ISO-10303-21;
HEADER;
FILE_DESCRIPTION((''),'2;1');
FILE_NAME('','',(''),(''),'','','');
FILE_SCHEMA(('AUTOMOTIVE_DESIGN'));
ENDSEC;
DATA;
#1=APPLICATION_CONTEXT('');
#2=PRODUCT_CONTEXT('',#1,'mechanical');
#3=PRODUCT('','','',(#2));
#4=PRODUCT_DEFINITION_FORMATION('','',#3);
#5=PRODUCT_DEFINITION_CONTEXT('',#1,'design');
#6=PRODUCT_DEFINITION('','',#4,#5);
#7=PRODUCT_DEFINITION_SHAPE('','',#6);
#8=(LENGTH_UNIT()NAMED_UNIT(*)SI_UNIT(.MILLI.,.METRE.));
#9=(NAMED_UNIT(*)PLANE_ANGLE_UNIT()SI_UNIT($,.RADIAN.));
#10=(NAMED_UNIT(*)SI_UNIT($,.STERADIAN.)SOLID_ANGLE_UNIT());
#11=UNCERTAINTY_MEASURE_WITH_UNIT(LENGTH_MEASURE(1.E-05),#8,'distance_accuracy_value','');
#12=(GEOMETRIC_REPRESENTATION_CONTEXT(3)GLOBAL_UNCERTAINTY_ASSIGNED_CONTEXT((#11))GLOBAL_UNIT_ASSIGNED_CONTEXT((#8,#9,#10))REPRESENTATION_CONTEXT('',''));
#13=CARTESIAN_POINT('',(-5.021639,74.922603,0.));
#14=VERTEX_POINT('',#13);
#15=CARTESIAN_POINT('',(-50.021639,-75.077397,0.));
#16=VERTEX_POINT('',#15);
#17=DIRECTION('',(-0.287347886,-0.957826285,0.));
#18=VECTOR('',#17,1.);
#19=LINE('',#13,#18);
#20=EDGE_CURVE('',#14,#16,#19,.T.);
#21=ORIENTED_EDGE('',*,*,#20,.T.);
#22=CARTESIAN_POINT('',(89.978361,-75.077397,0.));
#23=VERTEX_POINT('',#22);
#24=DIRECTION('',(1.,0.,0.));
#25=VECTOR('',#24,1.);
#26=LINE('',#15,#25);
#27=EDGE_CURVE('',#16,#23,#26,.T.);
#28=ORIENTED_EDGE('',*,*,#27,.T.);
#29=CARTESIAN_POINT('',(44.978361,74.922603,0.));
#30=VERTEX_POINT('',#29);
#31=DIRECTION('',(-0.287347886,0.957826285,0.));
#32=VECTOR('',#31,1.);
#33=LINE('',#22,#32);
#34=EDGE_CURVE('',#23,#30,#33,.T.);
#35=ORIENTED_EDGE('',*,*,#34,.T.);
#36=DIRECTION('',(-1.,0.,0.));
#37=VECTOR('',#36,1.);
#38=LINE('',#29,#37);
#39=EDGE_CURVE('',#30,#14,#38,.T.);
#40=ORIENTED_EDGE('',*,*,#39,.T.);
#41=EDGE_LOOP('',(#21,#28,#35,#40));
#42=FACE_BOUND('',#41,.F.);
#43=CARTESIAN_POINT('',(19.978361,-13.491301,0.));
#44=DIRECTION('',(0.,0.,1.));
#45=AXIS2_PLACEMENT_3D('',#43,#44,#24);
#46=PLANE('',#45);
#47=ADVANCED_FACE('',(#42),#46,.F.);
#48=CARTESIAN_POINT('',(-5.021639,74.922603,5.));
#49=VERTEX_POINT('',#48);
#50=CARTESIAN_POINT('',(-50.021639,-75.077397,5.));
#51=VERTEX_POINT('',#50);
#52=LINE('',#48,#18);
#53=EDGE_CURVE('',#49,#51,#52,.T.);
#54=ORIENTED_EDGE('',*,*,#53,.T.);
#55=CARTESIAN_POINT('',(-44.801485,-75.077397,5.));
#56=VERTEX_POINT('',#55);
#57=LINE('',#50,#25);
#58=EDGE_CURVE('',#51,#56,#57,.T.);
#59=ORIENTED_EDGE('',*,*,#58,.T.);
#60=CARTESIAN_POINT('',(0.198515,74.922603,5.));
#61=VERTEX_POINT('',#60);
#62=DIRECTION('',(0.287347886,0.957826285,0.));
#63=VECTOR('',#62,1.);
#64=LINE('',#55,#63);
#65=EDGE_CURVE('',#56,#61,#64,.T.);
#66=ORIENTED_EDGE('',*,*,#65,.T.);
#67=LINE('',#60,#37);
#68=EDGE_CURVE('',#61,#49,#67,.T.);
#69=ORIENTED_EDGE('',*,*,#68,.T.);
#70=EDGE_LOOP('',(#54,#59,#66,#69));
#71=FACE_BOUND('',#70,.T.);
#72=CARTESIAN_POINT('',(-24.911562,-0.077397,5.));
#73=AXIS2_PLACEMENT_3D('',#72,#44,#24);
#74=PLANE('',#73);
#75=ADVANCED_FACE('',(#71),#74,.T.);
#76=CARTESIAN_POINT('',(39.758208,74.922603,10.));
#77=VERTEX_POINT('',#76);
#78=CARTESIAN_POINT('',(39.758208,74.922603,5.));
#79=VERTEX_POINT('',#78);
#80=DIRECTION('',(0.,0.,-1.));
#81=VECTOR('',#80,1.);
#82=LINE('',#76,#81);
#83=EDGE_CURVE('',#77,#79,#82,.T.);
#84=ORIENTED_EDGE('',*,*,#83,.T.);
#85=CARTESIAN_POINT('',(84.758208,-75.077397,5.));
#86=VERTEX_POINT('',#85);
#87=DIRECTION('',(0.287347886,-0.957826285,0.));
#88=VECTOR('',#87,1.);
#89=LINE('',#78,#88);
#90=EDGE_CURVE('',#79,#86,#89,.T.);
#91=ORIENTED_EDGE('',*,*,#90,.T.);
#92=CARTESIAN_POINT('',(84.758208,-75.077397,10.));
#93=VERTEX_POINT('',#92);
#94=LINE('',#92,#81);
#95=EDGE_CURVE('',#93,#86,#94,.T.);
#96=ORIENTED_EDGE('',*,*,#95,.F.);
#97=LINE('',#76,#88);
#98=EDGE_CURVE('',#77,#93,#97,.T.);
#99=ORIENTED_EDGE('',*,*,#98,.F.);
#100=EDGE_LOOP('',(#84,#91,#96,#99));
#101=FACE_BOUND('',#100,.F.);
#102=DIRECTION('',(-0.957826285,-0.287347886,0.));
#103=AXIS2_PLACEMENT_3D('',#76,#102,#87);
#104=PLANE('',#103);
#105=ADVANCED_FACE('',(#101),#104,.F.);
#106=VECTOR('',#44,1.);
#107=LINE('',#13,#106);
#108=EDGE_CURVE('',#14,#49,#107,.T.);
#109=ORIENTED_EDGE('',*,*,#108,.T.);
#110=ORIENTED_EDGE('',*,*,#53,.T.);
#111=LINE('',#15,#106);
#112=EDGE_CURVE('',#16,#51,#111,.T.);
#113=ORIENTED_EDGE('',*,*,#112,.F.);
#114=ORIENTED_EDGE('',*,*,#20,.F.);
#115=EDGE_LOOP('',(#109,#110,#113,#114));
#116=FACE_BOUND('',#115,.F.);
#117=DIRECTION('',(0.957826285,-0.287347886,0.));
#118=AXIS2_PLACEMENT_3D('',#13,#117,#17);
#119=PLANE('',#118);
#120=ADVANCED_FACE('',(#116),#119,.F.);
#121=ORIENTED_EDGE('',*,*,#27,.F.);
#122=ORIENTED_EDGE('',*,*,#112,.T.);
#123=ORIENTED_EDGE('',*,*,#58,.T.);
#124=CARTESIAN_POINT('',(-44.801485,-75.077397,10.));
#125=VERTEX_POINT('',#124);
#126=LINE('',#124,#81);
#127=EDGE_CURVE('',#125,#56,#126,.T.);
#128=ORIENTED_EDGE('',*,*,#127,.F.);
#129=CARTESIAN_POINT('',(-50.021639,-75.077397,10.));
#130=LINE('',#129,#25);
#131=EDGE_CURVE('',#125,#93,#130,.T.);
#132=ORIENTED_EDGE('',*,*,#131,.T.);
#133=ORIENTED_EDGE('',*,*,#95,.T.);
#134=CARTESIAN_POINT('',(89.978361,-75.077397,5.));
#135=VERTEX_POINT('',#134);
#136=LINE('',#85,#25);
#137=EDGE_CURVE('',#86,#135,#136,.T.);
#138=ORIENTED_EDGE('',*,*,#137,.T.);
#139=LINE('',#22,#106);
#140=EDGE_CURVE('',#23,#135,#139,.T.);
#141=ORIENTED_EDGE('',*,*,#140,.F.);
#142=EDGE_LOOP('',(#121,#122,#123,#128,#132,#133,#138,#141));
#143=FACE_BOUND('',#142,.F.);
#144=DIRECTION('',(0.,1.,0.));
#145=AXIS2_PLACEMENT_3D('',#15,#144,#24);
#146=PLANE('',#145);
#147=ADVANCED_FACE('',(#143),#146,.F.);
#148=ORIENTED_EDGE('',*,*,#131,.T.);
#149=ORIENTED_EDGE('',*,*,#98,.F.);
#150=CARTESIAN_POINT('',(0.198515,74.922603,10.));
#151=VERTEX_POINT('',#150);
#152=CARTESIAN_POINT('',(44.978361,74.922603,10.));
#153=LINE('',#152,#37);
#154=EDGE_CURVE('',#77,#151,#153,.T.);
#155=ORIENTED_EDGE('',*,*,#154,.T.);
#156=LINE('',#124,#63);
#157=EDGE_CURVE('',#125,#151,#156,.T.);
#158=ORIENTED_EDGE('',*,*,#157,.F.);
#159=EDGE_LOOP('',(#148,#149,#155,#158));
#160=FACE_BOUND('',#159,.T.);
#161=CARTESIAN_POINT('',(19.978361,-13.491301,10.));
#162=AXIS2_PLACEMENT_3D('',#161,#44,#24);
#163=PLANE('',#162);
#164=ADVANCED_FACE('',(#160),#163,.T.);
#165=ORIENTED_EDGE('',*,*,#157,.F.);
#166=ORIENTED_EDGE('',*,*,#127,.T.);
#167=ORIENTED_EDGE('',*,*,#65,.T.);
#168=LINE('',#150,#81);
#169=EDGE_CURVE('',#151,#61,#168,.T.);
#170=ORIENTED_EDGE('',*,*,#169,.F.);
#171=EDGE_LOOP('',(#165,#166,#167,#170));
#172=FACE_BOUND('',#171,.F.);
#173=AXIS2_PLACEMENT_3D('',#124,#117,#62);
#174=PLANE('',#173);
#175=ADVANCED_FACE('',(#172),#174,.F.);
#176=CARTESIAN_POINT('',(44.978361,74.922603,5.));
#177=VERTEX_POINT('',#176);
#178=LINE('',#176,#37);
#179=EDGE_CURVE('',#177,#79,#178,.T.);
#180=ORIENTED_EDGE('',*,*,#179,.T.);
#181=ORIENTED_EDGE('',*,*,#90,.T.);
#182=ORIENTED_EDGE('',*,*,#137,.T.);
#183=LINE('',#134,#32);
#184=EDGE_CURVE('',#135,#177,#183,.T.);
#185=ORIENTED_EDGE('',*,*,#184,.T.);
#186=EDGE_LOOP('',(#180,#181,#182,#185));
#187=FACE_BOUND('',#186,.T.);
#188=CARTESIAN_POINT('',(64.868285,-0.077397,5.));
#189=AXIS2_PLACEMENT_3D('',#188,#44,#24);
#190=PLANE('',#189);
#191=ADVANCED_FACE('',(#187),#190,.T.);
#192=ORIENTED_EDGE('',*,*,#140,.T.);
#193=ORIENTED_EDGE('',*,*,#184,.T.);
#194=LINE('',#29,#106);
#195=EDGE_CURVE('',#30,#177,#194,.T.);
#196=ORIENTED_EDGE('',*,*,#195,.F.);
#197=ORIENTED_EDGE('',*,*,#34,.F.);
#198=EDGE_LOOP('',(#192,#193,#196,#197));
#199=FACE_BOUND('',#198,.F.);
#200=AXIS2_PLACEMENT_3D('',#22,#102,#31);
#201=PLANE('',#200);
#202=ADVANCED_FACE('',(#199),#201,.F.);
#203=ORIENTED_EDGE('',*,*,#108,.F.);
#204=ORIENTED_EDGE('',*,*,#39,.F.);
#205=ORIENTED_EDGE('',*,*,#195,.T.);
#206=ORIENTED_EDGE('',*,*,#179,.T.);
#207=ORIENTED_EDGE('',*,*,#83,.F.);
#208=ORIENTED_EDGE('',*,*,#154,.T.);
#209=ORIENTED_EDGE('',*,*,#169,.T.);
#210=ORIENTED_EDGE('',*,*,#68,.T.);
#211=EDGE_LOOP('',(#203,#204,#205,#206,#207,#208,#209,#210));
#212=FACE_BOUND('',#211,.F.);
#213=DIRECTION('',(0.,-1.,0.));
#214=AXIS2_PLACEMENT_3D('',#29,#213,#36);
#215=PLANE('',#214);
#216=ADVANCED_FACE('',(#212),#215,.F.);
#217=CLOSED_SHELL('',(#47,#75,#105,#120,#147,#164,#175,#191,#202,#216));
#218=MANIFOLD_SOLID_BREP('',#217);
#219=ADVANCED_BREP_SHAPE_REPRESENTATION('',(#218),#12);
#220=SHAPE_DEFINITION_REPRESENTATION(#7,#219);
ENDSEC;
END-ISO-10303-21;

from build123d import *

# Parameters (mm, degrees)
F1_DEPTH = 10
F3_DEPTH = 5
F4_DEPTH = 5


with BuildPart() as f1:
    # F0 (on Top) → F1 (new body)
    with BuildSketch(Plane.XY):
        Polygon((44.978361, 74.922603), (-5.021639, 74.922603), (-50.021639, -75.077397), (-5.021639, -75.077397), (44.978361, -75.077397), (89.978361, -75.077397), align=None)
    extrude(amount=F1_DEPTH)

    # F2 (on face) → F3 (cut)
    with BuildSketch(Plane.XY.offset(10)):
        Polygon((44.978361, 74.922603), (39.758208, 74.922603), (84.758208, -75.077397), (89.978361, -75.077397), align=None)
        Polygon((-44.801485, -75.077397), (0.198515, 74.922603), (-5.021639, 74.922603), (-50.021639, -75.077397), align=None)
    extrude(amount=-F3_DEPTH, mode=Mode.SUBTRACT)

    # F2 (on face) → F4 (cut)
    with BuildSketch(Plane.XY.offset(10)):
        Polygon((44.978361, 74.922603), (39.758208, 74.922603), (84.758208, -75.077397), (89.978361, -75.077397), align=None)
        Polygon((-44.801485, -75.077397), (0.198515, 74.922603), (-5.021639, 74.922603), (-50.021639, -75.077397), align=None)
    extrude(amount=-F4_DEPTH, mode=Mode.SUBTRACT)


solid = f1.part
